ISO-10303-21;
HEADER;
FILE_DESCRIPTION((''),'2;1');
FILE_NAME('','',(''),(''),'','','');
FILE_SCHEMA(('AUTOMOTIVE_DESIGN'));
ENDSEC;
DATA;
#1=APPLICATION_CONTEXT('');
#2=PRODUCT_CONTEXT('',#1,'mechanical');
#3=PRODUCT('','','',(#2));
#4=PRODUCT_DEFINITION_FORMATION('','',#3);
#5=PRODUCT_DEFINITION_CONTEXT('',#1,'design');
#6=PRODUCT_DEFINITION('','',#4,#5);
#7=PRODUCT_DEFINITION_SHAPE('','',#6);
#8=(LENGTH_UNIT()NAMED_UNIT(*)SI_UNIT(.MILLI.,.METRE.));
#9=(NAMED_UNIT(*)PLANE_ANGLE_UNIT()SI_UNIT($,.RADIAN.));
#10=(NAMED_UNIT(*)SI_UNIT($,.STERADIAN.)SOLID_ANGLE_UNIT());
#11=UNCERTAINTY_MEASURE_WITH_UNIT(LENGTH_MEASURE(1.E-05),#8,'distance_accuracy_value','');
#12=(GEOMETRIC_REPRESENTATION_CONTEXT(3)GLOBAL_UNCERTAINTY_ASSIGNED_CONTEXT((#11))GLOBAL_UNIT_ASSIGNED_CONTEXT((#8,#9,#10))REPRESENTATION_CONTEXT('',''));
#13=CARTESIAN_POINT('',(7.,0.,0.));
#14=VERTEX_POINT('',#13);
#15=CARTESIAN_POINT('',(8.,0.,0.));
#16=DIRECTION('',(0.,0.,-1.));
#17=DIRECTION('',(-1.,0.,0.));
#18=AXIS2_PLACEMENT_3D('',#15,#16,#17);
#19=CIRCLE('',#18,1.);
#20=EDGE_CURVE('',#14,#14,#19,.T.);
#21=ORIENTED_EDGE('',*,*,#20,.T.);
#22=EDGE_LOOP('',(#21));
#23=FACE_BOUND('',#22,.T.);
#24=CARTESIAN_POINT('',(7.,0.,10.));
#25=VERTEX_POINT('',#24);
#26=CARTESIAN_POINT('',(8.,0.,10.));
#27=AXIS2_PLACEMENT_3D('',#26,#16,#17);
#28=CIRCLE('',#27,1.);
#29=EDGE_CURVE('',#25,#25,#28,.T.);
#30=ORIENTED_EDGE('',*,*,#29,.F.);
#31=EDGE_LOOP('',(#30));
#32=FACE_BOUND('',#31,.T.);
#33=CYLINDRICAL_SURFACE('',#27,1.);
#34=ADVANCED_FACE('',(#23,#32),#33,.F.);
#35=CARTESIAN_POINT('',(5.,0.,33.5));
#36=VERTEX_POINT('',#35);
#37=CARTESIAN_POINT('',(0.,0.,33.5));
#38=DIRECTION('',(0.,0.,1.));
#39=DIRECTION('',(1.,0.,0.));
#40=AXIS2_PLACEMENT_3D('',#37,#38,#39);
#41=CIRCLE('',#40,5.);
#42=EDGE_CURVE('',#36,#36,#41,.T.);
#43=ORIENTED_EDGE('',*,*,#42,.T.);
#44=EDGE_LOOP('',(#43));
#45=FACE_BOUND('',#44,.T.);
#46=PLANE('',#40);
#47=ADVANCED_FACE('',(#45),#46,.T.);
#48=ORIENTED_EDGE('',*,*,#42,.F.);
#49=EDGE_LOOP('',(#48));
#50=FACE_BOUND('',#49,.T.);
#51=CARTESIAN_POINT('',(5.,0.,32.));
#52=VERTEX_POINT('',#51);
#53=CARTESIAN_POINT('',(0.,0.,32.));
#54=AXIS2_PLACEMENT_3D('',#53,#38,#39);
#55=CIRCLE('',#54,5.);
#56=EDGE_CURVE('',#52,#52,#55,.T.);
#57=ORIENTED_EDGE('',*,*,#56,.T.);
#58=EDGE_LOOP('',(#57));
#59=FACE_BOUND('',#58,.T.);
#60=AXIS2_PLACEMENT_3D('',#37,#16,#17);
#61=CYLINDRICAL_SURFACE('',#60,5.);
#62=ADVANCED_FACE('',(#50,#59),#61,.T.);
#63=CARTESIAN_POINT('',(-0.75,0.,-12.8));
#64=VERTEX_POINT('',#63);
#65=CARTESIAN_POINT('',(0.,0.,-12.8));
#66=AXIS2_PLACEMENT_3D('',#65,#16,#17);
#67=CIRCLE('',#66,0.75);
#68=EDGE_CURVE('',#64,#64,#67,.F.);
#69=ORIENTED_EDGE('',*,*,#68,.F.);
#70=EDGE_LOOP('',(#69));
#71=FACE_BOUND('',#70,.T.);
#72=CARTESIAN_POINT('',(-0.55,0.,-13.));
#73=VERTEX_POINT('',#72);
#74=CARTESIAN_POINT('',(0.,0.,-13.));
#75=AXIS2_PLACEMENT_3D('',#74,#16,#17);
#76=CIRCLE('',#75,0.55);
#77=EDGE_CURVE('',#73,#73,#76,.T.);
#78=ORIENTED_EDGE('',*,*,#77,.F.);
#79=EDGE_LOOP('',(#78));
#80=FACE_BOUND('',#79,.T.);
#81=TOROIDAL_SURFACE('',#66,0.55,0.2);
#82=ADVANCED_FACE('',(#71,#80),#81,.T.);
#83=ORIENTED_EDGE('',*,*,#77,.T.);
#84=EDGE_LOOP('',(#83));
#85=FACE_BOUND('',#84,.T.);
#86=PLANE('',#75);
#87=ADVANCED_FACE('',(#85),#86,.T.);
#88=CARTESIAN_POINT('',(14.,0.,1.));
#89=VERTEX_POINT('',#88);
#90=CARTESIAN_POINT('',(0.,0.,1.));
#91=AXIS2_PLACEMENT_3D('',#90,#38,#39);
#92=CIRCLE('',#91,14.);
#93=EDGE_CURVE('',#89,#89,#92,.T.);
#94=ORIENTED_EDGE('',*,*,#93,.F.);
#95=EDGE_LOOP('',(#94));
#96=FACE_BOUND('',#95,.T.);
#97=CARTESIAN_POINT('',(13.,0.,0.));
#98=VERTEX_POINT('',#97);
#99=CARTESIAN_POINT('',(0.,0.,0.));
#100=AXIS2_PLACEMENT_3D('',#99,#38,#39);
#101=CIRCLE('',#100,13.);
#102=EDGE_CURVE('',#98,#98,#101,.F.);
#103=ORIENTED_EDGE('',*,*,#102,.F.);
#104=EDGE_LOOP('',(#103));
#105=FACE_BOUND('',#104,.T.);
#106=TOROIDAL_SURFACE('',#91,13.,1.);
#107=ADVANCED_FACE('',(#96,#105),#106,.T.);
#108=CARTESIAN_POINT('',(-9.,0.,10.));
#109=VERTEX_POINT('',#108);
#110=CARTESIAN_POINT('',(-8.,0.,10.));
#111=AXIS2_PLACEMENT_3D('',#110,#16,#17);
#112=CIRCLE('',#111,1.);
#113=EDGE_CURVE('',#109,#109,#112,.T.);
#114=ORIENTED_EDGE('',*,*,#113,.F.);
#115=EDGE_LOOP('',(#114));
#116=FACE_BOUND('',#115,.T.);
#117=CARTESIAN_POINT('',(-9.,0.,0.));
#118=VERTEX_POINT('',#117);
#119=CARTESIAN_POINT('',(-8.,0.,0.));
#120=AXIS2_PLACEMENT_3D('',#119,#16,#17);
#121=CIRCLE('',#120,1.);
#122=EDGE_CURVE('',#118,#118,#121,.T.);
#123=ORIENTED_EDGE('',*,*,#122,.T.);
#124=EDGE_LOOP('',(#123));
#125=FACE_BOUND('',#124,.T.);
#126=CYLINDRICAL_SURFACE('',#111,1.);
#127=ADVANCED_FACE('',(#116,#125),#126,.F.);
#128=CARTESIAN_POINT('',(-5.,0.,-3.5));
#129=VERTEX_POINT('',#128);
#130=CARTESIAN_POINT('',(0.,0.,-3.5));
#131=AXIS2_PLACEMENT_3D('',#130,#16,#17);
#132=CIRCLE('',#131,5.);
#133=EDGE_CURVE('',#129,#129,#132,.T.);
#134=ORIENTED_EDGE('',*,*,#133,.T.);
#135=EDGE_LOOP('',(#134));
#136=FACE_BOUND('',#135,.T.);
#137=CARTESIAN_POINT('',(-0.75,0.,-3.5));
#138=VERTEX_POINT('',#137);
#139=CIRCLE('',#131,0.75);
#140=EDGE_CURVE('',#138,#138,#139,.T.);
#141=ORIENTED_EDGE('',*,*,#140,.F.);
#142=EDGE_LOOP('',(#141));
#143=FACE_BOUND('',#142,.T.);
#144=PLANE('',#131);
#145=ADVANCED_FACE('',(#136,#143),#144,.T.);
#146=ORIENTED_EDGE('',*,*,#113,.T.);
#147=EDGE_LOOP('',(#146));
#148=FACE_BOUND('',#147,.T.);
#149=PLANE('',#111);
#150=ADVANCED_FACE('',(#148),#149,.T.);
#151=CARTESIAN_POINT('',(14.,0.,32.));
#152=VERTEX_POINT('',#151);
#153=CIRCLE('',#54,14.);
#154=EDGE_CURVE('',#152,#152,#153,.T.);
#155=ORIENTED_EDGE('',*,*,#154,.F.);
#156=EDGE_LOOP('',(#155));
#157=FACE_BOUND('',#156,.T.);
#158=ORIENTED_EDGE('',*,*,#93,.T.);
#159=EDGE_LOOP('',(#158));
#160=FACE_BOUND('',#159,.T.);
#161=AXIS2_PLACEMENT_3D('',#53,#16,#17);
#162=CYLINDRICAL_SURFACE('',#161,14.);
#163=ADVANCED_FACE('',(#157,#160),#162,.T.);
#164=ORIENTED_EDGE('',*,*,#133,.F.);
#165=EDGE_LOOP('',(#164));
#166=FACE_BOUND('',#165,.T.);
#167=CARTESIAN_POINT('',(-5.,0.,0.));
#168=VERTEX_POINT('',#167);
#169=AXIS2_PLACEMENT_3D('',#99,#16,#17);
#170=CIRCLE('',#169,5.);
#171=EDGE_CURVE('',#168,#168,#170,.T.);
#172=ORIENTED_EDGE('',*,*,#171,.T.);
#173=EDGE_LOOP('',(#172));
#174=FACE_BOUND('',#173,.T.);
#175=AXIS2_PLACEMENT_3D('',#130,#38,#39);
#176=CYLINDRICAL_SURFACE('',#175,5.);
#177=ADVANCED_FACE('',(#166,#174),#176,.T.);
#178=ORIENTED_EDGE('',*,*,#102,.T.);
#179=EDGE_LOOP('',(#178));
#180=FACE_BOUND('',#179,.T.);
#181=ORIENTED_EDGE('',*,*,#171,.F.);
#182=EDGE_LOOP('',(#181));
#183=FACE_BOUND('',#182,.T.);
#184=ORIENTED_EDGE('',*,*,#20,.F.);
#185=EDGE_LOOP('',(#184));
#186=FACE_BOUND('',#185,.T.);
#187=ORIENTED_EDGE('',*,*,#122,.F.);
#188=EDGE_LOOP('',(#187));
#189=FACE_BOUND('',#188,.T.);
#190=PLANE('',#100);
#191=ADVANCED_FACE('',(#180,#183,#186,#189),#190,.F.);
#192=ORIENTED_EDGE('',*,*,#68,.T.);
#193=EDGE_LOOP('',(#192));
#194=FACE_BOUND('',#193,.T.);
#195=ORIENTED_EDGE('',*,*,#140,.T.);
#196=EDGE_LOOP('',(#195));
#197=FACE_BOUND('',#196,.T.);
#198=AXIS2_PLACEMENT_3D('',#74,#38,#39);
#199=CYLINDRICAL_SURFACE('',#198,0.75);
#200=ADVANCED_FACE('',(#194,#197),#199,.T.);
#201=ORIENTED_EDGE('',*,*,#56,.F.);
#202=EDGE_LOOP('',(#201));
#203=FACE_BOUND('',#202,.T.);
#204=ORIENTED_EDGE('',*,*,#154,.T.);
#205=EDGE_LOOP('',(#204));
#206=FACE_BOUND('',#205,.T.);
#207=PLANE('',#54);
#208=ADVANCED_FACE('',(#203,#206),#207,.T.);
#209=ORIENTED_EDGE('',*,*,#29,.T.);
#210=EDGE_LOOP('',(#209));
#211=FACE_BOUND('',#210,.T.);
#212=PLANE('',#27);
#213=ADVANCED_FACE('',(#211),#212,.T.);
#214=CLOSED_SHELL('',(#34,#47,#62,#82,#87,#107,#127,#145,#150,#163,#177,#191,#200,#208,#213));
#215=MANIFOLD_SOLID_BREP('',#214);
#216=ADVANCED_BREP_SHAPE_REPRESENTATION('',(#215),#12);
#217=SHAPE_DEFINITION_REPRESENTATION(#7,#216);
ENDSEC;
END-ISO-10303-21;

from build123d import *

# Parameters (mm, degrees)
SKETCH1_R           = 14
BOSS_EXTRUDE1_DEPTH = 32
SKETCH2_R           = 5
BOSS_EXTRUDE2_DEPTH = 1.5
BOSS_EXTRUDE3_START = 3.5
SKETCH3_R           = 5
BOSS_EXTRUDE3_DEPTH = 3.5
SKETCH4_R           = 0.75
BOSS_EXTRUDE4_DEPTH = 9.5
SKETCH5_R           = 1
CUT_EXTRUDE1_DEPTH  = 10
FILLET1_R           = 1
FILLET2_R           = 0.2


with BuildPart() as part:
    # Sketch1 → Boss-Extrude1 (new body)
    with BuildSketch(Plane.XY):
        Circle(SKETCH1_R)
    extrude(amount=BOSS_EXTRUDE1_DEPTH)

    # Sketch2 → Boss-Extrude2 (add)
    with BuildSketch(Plane.XY.offset(32)):
        Circle(SKETCH2_R)
    extrude(amount=BOSS_EXTRUDE2_DEPTH)

    # Sketch3 → Boss-Extrude3 (add)
    with BuildSketch(Plane(origin=(0, 0, 0), x_dir=(-1, 0, 0), z_dir=(0, 0, -1)).offset(BOSS_EXTRUDE3_START)):
        with Locations(Location((0, 0, 0), (0, 0, 180))):
            Circle(SKETCH3_R)
    extrude(amount=-BOSS_EXTRUDE3_DEPTH)

    # Sketch4 → Boss-Extrude4 (add)
    with BuildSketch(Plane(origin=(0, 0, -3.5), x_dir=(-1, 0, 0), z_dir=(0, 0, -1))):
        Circle(SKETCH4_R)
    extrude(amount=BOSS_EXTRUDE4_DEPTH)

    # Sketch5 → Cut-Extrude1 (cut)
    with BuildSketch(Plane(origin=(0, 0, 0), x_dir=(-1, 0, 0), z_dir=(0, 0, -1))):
        with Locations((8, 0)):
            Circle(SKETCH5_R)
        with Locations((-8, 0)):
            Circle(SKETCH5_R)
    extrude(amount=-CUT_EXTRUDE1_DEPTH, mode=Mode.SUBTRACT)

    # Fillet1
    fillet1_edges = [part.edges().sort_by_distance(p)[0] for p in [
        (-14, 0, 0),
    ]]
    fillet(fillet1_edges, radius=FILLET1_R)

    # Fillet2
    fillet2_edges = [part.edges().sort_by_distance(p)[0] for p in [
        (0.75, 0, -13),
    ]]
    fillet(fillet2_edges, radius=FILLET2_R)


solid = part.part
